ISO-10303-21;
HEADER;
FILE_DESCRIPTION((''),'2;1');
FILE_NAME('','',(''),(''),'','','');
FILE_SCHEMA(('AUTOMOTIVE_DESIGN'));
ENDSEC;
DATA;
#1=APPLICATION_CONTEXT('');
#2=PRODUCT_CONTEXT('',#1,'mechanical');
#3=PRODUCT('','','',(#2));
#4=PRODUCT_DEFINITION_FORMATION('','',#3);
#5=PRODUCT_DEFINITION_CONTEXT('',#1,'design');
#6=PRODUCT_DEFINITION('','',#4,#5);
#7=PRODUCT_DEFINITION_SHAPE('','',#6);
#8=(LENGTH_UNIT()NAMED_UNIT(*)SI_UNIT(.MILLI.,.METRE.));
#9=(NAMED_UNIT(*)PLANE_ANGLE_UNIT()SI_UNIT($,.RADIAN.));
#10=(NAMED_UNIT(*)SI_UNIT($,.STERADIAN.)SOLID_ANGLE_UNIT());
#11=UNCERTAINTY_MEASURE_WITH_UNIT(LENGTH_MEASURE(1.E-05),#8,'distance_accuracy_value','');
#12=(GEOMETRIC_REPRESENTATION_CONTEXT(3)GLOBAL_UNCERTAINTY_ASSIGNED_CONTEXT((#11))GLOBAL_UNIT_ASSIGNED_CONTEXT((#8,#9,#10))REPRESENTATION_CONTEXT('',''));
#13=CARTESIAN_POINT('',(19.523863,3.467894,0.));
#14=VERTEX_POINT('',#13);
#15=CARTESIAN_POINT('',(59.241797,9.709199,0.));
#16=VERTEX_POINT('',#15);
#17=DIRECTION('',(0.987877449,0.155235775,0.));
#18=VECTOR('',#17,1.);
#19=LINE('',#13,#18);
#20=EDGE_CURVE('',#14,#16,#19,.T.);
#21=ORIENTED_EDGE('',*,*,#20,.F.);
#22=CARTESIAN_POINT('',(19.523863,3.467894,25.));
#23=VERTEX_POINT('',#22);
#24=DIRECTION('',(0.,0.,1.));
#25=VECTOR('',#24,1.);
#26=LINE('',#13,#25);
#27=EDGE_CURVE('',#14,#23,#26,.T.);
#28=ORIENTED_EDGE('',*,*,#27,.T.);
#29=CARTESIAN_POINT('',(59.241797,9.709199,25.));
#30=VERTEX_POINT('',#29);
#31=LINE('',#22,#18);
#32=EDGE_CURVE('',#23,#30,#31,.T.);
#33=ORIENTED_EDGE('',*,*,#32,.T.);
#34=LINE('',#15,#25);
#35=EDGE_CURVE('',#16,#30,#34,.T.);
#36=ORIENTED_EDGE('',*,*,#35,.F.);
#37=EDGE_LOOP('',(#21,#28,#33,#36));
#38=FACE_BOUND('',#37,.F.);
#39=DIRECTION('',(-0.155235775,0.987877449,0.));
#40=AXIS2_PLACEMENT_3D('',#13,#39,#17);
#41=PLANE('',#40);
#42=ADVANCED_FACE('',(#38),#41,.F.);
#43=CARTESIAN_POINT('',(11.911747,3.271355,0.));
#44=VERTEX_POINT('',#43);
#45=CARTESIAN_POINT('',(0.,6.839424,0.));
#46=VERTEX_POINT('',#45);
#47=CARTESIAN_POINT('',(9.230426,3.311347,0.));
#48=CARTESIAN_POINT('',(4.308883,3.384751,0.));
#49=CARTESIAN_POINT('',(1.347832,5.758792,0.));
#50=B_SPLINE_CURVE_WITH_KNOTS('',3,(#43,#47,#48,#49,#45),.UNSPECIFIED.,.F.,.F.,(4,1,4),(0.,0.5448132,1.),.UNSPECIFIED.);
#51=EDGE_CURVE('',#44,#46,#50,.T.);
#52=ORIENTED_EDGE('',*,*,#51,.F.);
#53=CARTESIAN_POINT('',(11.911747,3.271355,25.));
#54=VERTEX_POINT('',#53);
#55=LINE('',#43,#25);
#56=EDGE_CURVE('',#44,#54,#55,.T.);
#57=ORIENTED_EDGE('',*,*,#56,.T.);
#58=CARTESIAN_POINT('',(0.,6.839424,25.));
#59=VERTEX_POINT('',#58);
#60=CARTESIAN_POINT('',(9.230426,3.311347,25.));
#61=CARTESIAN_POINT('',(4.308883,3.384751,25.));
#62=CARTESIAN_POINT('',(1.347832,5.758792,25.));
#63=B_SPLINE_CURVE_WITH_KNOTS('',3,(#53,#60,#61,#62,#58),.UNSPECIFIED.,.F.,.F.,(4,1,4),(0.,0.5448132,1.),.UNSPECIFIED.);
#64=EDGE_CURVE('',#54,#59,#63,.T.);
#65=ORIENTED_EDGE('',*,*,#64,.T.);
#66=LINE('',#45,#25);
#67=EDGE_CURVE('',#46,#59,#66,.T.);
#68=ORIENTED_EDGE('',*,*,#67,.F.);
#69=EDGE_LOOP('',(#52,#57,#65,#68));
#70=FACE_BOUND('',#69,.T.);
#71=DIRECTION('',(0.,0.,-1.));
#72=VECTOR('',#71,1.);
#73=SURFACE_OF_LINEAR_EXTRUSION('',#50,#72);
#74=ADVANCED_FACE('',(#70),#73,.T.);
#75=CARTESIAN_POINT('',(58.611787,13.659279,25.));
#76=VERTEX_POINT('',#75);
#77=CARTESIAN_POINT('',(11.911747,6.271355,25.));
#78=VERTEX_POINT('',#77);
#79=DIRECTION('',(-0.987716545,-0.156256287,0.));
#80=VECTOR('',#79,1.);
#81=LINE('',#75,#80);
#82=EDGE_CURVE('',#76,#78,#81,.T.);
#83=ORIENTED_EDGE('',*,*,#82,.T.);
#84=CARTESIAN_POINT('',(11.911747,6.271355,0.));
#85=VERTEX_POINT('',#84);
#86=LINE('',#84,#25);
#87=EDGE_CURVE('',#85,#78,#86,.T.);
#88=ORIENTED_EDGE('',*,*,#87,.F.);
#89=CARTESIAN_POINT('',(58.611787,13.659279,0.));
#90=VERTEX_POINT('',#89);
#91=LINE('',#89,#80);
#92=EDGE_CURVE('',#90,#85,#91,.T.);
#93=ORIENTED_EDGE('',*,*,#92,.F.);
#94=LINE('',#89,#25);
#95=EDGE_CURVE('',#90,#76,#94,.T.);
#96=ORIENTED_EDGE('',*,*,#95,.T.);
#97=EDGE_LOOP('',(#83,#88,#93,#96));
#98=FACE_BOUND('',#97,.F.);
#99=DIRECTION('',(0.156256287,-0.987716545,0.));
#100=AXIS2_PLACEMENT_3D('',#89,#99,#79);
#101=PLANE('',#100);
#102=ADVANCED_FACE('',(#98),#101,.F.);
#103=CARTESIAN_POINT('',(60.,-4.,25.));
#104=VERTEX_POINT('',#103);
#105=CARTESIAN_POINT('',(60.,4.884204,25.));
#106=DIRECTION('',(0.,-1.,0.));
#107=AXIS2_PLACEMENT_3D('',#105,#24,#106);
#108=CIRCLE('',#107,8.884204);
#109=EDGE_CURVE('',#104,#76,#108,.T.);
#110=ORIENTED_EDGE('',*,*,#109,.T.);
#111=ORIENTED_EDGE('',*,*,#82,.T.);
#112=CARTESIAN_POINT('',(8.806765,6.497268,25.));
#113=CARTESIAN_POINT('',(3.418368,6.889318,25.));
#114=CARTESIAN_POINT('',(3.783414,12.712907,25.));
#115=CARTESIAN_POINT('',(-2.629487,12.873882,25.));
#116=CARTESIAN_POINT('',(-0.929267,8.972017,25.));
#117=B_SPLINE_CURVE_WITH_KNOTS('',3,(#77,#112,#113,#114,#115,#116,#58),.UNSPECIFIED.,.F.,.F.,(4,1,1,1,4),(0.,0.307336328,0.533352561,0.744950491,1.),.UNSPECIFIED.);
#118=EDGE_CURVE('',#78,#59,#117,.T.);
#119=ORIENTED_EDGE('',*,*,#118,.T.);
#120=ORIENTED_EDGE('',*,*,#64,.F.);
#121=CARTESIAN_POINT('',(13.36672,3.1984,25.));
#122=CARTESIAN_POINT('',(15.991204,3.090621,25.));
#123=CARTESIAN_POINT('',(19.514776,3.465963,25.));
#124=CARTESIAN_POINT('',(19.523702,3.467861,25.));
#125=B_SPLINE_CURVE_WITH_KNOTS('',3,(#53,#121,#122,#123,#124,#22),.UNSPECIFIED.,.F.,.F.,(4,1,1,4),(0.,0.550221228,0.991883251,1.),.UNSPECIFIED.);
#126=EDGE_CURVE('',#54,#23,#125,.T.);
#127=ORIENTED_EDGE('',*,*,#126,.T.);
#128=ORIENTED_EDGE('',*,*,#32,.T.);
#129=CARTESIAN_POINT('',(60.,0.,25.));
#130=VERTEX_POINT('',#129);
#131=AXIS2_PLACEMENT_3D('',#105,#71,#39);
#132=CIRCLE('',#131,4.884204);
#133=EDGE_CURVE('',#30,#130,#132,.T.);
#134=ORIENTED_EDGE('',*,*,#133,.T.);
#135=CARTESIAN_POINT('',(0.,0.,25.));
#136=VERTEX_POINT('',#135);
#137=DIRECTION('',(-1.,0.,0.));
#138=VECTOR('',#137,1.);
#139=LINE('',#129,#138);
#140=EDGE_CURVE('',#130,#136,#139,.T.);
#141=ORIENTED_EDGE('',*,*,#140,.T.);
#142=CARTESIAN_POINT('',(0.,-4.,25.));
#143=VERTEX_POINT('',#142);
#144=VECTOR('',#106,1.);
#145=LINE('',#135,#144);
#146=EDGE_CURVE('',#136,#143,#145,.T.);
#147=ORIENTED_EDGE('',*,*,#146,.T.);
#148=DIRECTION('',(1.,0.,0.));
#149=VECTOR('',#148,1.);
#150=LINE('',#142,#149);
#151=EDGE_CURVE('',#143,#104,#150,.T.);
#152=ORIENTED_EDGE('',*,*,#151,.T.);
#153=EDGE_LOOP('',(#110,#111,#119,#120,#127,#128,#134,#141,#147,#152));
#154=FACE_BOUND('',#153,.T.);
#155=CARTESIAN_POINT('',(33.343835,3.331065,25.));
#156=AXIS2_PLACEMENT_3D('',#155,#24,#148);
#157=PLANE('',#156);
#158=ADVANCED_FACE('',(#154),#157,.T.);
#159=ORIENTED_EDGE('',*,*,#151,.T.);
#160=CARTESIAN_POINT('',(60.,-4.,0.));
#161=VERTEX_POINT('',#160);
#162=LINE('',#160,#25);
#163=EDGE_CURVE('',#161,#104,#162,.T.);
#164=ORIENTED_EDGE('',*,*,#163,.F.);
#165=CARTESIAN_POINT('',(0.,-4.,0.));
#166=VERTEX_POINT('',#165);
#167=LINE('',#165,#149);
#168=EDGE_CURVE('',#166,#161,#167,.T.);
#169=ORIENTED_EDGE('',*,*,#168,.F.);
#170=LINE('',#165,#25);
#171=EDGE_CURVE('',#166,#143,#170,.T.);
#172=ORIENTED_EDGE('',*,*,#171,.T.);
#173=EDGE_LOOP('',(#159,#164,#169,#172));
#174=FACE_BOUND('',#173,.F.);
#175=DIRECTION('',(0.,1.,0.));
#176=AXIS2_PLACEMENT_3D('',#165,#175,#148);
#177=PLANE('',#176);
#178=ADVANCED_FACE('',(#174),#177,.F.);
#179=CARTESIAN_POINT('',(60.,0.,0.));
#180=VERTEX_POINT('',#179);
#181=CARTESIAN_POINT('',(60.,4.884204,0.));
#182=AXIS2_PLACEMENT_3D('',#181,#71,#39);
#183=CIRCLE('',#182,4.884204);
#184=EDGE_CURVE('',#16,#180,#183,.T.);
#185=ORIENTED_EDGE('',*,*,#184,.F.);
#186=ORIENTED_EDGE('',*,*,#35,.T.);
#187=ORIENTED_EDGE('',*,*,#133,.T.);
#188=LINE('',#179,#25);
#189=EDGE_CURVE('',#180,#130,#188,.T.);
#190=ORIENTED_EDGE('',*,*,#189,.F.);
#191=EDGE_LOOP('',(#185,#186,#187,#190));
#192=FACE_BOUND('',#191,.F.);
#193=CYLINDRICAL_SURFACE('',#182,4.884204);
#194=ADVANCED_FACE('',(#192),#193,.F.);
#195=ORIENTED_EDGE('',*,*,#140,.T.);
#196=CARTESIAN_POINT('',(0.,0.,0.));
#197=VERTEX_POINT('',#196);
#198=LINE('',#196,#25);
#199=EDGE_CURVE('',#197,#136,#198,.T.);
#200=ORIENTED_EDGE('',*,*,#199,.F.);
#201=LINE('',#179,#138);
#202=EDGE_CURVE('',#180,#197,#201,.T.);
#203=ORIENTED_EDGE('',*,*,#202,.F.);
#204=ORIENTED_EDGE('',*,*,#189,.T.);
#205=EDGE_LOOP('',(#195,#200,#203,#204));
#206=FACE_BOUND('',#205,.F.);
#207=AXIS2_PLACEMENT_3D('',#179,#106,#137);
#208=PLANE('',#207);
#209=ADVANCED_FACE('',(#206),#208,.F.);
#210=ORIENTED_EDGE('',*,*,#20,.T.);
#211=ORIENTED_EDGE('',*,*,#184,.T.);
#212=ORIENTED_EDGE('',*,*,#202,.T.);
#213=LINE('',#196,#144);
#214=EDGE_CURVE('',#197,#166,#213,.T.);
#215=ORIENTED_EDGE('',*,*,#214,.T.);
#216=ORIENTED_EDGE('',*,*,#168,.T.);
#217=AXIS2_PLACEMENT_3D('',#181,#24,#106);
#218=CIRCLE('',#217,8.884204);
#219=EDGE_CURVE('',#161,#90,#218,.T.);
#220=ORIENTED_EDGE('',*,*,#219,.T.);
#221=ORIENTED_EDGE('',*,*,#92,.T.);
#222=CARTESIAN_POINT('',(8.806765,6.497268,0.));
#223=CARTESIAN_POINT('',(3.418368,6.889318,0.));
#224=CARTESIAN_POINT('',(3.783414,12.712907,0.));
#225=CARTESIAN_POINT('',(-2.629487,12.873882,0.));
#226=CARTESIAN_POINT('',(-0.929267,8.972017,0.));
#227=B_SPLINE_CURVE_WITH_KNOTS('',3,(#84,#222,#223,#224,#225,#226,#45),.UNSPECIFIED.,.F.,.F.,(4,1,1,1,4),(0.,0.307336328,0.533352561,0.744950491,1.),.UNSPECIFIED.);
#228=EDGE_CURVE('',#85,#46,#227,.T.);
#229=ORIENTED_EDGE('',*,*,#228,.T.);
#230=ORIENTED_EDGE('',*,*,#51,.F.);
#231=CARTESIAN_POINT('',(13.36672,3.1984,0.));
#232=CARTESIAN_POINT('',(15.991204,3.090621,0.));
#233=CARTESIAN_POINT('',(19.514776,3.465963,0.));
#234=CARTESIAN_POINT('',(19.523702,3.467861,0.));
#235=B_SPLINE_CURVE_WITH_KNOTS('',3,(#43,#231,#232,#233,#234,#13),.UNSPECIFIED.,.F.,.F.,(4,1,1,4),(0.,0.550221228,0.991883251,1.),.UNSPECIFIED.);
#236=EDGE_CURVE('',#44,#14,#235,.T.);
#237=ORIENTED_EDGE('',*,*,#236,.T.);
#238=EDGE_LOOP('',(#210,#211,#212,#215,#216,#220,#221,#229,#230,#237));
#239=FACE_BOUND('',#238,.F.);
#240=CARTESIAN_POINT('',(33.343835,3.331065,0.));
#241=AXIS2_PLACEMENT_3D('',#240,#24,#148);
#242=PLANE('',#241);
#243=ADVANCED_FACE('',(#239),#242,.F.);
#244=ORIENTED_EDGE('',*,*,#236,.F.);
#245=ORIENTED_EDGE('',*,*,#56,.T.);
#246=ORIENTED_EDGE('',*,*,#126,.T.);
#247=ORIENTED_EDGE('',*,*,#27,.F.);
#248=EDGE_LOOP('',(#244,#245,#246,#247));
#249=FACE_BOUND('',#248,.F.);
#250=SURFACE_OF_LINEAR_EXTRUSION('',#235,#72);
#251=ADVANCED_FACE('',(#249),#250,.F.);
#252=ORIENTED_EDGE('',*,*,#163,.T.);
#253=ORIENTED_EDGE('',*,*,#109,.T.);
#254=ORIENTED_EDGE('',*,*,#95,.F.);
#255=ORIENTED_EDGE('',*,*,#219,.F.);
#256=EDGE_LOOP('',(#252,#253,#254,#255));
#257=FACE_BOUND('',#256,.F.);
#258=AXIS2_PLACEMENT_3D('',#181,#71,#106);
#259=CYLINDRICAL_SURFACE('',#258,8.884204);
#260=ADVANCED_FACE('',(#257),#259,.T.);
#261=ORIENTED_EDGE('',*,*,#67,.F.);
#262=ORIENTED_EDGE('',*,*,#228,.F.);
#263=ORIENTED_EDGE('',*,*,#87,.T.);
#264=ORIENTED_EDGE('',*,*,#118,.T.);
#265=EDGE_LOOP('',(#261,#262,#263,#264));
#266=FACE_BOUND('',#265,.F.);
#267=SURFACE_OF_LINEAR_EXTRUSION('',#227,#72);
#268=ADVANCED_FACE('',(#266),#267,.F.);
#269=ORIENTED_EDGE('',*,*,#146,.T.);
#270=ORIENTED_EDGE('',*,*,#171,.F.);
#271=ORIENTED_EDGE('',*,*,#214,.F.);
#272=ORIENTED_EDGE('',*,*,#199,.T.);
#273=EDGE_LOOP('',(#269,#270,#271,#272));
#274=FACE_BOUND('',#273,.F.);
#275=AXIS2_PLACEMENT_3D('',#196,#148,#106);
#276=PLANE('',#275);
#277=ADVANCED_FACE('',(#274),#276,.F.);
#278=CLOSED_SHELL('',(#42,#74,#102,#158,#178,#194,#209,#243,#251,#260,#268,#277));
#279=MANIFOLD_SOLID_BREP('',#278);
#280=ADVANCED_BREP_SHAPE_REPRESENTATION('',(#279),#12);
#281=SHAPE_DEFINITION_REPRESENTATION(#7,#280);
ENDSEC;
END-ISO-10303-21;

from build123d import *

# Parameters (mm, degrees)
F1_DEPTH = 25


with BuildPart() as f1:
    # F0 (on Top) → F1 (new body)
    with BuildSketch(Plane.XY):
        with BuildLine():
            Line((60, 0), (0, 0))
            Line((0, 0), (0, -4))
            Line((0, -4), (60, -4))
            ThreePointArc((60, -4), (68.8568799, 5.5804518491), (58.6117872519, 13.6592794761))
            Line((58.6117872519, 13.6592794761), (11.9117473774, 6.2713553941))
            add(Edge.make_bspline(
                [(11.9117473774, 6.2713553941), (8.8067651133, 6.4972680654), (3.4183678047, 6.889317722), (3.7834139619, 12.7129074337), (-2.6294865061, 12.8738821695), (-0.9292671165, 8.97201687), (0, 6.8394243717)],
                knots=[0, 0, 0, 0, 0.3073363281, 0.5333525612, 0.7449504914, 1, 1, 1, 1], degree=3))
            add(Edge.make_bspline(
                [(11.9117473774, 3.2713553941), (9.2304258246, 3.3113469763), (4.3088828931, 3.3847511857), (1.3478315059, 5.7587922269), (0, 6.8394243717)],
                knots=[0, 0, 0, 0, 0.5448131999, 1, 1, 1, 1], degree=3))
            add(Edge.make_bspline(
                [(11.9117473774, 3.2713553941), (13.366720079, 3.1984004905), (15.9912041224, 3.090620641), (19.5147760207, 3.4659632587), (19.5237015597, 3.4678606036), (19.5238625798, 3.4678943344)],
                knots=[0, 0, 0, 0, 0.5502212285, 0.9918832508, 1, 1, 1, 1], degree=3))
            Line((19.5238625798, 3.4678943344), (59.2417967893, 9.7091991862))
            ThreePointArc((59.2417967893, 9.7091991862), (64.8693793482, 5.2644598745), (60, 0))
        make_face()
    extrude(amount=F1_DEPTH)


solid = f1.part
